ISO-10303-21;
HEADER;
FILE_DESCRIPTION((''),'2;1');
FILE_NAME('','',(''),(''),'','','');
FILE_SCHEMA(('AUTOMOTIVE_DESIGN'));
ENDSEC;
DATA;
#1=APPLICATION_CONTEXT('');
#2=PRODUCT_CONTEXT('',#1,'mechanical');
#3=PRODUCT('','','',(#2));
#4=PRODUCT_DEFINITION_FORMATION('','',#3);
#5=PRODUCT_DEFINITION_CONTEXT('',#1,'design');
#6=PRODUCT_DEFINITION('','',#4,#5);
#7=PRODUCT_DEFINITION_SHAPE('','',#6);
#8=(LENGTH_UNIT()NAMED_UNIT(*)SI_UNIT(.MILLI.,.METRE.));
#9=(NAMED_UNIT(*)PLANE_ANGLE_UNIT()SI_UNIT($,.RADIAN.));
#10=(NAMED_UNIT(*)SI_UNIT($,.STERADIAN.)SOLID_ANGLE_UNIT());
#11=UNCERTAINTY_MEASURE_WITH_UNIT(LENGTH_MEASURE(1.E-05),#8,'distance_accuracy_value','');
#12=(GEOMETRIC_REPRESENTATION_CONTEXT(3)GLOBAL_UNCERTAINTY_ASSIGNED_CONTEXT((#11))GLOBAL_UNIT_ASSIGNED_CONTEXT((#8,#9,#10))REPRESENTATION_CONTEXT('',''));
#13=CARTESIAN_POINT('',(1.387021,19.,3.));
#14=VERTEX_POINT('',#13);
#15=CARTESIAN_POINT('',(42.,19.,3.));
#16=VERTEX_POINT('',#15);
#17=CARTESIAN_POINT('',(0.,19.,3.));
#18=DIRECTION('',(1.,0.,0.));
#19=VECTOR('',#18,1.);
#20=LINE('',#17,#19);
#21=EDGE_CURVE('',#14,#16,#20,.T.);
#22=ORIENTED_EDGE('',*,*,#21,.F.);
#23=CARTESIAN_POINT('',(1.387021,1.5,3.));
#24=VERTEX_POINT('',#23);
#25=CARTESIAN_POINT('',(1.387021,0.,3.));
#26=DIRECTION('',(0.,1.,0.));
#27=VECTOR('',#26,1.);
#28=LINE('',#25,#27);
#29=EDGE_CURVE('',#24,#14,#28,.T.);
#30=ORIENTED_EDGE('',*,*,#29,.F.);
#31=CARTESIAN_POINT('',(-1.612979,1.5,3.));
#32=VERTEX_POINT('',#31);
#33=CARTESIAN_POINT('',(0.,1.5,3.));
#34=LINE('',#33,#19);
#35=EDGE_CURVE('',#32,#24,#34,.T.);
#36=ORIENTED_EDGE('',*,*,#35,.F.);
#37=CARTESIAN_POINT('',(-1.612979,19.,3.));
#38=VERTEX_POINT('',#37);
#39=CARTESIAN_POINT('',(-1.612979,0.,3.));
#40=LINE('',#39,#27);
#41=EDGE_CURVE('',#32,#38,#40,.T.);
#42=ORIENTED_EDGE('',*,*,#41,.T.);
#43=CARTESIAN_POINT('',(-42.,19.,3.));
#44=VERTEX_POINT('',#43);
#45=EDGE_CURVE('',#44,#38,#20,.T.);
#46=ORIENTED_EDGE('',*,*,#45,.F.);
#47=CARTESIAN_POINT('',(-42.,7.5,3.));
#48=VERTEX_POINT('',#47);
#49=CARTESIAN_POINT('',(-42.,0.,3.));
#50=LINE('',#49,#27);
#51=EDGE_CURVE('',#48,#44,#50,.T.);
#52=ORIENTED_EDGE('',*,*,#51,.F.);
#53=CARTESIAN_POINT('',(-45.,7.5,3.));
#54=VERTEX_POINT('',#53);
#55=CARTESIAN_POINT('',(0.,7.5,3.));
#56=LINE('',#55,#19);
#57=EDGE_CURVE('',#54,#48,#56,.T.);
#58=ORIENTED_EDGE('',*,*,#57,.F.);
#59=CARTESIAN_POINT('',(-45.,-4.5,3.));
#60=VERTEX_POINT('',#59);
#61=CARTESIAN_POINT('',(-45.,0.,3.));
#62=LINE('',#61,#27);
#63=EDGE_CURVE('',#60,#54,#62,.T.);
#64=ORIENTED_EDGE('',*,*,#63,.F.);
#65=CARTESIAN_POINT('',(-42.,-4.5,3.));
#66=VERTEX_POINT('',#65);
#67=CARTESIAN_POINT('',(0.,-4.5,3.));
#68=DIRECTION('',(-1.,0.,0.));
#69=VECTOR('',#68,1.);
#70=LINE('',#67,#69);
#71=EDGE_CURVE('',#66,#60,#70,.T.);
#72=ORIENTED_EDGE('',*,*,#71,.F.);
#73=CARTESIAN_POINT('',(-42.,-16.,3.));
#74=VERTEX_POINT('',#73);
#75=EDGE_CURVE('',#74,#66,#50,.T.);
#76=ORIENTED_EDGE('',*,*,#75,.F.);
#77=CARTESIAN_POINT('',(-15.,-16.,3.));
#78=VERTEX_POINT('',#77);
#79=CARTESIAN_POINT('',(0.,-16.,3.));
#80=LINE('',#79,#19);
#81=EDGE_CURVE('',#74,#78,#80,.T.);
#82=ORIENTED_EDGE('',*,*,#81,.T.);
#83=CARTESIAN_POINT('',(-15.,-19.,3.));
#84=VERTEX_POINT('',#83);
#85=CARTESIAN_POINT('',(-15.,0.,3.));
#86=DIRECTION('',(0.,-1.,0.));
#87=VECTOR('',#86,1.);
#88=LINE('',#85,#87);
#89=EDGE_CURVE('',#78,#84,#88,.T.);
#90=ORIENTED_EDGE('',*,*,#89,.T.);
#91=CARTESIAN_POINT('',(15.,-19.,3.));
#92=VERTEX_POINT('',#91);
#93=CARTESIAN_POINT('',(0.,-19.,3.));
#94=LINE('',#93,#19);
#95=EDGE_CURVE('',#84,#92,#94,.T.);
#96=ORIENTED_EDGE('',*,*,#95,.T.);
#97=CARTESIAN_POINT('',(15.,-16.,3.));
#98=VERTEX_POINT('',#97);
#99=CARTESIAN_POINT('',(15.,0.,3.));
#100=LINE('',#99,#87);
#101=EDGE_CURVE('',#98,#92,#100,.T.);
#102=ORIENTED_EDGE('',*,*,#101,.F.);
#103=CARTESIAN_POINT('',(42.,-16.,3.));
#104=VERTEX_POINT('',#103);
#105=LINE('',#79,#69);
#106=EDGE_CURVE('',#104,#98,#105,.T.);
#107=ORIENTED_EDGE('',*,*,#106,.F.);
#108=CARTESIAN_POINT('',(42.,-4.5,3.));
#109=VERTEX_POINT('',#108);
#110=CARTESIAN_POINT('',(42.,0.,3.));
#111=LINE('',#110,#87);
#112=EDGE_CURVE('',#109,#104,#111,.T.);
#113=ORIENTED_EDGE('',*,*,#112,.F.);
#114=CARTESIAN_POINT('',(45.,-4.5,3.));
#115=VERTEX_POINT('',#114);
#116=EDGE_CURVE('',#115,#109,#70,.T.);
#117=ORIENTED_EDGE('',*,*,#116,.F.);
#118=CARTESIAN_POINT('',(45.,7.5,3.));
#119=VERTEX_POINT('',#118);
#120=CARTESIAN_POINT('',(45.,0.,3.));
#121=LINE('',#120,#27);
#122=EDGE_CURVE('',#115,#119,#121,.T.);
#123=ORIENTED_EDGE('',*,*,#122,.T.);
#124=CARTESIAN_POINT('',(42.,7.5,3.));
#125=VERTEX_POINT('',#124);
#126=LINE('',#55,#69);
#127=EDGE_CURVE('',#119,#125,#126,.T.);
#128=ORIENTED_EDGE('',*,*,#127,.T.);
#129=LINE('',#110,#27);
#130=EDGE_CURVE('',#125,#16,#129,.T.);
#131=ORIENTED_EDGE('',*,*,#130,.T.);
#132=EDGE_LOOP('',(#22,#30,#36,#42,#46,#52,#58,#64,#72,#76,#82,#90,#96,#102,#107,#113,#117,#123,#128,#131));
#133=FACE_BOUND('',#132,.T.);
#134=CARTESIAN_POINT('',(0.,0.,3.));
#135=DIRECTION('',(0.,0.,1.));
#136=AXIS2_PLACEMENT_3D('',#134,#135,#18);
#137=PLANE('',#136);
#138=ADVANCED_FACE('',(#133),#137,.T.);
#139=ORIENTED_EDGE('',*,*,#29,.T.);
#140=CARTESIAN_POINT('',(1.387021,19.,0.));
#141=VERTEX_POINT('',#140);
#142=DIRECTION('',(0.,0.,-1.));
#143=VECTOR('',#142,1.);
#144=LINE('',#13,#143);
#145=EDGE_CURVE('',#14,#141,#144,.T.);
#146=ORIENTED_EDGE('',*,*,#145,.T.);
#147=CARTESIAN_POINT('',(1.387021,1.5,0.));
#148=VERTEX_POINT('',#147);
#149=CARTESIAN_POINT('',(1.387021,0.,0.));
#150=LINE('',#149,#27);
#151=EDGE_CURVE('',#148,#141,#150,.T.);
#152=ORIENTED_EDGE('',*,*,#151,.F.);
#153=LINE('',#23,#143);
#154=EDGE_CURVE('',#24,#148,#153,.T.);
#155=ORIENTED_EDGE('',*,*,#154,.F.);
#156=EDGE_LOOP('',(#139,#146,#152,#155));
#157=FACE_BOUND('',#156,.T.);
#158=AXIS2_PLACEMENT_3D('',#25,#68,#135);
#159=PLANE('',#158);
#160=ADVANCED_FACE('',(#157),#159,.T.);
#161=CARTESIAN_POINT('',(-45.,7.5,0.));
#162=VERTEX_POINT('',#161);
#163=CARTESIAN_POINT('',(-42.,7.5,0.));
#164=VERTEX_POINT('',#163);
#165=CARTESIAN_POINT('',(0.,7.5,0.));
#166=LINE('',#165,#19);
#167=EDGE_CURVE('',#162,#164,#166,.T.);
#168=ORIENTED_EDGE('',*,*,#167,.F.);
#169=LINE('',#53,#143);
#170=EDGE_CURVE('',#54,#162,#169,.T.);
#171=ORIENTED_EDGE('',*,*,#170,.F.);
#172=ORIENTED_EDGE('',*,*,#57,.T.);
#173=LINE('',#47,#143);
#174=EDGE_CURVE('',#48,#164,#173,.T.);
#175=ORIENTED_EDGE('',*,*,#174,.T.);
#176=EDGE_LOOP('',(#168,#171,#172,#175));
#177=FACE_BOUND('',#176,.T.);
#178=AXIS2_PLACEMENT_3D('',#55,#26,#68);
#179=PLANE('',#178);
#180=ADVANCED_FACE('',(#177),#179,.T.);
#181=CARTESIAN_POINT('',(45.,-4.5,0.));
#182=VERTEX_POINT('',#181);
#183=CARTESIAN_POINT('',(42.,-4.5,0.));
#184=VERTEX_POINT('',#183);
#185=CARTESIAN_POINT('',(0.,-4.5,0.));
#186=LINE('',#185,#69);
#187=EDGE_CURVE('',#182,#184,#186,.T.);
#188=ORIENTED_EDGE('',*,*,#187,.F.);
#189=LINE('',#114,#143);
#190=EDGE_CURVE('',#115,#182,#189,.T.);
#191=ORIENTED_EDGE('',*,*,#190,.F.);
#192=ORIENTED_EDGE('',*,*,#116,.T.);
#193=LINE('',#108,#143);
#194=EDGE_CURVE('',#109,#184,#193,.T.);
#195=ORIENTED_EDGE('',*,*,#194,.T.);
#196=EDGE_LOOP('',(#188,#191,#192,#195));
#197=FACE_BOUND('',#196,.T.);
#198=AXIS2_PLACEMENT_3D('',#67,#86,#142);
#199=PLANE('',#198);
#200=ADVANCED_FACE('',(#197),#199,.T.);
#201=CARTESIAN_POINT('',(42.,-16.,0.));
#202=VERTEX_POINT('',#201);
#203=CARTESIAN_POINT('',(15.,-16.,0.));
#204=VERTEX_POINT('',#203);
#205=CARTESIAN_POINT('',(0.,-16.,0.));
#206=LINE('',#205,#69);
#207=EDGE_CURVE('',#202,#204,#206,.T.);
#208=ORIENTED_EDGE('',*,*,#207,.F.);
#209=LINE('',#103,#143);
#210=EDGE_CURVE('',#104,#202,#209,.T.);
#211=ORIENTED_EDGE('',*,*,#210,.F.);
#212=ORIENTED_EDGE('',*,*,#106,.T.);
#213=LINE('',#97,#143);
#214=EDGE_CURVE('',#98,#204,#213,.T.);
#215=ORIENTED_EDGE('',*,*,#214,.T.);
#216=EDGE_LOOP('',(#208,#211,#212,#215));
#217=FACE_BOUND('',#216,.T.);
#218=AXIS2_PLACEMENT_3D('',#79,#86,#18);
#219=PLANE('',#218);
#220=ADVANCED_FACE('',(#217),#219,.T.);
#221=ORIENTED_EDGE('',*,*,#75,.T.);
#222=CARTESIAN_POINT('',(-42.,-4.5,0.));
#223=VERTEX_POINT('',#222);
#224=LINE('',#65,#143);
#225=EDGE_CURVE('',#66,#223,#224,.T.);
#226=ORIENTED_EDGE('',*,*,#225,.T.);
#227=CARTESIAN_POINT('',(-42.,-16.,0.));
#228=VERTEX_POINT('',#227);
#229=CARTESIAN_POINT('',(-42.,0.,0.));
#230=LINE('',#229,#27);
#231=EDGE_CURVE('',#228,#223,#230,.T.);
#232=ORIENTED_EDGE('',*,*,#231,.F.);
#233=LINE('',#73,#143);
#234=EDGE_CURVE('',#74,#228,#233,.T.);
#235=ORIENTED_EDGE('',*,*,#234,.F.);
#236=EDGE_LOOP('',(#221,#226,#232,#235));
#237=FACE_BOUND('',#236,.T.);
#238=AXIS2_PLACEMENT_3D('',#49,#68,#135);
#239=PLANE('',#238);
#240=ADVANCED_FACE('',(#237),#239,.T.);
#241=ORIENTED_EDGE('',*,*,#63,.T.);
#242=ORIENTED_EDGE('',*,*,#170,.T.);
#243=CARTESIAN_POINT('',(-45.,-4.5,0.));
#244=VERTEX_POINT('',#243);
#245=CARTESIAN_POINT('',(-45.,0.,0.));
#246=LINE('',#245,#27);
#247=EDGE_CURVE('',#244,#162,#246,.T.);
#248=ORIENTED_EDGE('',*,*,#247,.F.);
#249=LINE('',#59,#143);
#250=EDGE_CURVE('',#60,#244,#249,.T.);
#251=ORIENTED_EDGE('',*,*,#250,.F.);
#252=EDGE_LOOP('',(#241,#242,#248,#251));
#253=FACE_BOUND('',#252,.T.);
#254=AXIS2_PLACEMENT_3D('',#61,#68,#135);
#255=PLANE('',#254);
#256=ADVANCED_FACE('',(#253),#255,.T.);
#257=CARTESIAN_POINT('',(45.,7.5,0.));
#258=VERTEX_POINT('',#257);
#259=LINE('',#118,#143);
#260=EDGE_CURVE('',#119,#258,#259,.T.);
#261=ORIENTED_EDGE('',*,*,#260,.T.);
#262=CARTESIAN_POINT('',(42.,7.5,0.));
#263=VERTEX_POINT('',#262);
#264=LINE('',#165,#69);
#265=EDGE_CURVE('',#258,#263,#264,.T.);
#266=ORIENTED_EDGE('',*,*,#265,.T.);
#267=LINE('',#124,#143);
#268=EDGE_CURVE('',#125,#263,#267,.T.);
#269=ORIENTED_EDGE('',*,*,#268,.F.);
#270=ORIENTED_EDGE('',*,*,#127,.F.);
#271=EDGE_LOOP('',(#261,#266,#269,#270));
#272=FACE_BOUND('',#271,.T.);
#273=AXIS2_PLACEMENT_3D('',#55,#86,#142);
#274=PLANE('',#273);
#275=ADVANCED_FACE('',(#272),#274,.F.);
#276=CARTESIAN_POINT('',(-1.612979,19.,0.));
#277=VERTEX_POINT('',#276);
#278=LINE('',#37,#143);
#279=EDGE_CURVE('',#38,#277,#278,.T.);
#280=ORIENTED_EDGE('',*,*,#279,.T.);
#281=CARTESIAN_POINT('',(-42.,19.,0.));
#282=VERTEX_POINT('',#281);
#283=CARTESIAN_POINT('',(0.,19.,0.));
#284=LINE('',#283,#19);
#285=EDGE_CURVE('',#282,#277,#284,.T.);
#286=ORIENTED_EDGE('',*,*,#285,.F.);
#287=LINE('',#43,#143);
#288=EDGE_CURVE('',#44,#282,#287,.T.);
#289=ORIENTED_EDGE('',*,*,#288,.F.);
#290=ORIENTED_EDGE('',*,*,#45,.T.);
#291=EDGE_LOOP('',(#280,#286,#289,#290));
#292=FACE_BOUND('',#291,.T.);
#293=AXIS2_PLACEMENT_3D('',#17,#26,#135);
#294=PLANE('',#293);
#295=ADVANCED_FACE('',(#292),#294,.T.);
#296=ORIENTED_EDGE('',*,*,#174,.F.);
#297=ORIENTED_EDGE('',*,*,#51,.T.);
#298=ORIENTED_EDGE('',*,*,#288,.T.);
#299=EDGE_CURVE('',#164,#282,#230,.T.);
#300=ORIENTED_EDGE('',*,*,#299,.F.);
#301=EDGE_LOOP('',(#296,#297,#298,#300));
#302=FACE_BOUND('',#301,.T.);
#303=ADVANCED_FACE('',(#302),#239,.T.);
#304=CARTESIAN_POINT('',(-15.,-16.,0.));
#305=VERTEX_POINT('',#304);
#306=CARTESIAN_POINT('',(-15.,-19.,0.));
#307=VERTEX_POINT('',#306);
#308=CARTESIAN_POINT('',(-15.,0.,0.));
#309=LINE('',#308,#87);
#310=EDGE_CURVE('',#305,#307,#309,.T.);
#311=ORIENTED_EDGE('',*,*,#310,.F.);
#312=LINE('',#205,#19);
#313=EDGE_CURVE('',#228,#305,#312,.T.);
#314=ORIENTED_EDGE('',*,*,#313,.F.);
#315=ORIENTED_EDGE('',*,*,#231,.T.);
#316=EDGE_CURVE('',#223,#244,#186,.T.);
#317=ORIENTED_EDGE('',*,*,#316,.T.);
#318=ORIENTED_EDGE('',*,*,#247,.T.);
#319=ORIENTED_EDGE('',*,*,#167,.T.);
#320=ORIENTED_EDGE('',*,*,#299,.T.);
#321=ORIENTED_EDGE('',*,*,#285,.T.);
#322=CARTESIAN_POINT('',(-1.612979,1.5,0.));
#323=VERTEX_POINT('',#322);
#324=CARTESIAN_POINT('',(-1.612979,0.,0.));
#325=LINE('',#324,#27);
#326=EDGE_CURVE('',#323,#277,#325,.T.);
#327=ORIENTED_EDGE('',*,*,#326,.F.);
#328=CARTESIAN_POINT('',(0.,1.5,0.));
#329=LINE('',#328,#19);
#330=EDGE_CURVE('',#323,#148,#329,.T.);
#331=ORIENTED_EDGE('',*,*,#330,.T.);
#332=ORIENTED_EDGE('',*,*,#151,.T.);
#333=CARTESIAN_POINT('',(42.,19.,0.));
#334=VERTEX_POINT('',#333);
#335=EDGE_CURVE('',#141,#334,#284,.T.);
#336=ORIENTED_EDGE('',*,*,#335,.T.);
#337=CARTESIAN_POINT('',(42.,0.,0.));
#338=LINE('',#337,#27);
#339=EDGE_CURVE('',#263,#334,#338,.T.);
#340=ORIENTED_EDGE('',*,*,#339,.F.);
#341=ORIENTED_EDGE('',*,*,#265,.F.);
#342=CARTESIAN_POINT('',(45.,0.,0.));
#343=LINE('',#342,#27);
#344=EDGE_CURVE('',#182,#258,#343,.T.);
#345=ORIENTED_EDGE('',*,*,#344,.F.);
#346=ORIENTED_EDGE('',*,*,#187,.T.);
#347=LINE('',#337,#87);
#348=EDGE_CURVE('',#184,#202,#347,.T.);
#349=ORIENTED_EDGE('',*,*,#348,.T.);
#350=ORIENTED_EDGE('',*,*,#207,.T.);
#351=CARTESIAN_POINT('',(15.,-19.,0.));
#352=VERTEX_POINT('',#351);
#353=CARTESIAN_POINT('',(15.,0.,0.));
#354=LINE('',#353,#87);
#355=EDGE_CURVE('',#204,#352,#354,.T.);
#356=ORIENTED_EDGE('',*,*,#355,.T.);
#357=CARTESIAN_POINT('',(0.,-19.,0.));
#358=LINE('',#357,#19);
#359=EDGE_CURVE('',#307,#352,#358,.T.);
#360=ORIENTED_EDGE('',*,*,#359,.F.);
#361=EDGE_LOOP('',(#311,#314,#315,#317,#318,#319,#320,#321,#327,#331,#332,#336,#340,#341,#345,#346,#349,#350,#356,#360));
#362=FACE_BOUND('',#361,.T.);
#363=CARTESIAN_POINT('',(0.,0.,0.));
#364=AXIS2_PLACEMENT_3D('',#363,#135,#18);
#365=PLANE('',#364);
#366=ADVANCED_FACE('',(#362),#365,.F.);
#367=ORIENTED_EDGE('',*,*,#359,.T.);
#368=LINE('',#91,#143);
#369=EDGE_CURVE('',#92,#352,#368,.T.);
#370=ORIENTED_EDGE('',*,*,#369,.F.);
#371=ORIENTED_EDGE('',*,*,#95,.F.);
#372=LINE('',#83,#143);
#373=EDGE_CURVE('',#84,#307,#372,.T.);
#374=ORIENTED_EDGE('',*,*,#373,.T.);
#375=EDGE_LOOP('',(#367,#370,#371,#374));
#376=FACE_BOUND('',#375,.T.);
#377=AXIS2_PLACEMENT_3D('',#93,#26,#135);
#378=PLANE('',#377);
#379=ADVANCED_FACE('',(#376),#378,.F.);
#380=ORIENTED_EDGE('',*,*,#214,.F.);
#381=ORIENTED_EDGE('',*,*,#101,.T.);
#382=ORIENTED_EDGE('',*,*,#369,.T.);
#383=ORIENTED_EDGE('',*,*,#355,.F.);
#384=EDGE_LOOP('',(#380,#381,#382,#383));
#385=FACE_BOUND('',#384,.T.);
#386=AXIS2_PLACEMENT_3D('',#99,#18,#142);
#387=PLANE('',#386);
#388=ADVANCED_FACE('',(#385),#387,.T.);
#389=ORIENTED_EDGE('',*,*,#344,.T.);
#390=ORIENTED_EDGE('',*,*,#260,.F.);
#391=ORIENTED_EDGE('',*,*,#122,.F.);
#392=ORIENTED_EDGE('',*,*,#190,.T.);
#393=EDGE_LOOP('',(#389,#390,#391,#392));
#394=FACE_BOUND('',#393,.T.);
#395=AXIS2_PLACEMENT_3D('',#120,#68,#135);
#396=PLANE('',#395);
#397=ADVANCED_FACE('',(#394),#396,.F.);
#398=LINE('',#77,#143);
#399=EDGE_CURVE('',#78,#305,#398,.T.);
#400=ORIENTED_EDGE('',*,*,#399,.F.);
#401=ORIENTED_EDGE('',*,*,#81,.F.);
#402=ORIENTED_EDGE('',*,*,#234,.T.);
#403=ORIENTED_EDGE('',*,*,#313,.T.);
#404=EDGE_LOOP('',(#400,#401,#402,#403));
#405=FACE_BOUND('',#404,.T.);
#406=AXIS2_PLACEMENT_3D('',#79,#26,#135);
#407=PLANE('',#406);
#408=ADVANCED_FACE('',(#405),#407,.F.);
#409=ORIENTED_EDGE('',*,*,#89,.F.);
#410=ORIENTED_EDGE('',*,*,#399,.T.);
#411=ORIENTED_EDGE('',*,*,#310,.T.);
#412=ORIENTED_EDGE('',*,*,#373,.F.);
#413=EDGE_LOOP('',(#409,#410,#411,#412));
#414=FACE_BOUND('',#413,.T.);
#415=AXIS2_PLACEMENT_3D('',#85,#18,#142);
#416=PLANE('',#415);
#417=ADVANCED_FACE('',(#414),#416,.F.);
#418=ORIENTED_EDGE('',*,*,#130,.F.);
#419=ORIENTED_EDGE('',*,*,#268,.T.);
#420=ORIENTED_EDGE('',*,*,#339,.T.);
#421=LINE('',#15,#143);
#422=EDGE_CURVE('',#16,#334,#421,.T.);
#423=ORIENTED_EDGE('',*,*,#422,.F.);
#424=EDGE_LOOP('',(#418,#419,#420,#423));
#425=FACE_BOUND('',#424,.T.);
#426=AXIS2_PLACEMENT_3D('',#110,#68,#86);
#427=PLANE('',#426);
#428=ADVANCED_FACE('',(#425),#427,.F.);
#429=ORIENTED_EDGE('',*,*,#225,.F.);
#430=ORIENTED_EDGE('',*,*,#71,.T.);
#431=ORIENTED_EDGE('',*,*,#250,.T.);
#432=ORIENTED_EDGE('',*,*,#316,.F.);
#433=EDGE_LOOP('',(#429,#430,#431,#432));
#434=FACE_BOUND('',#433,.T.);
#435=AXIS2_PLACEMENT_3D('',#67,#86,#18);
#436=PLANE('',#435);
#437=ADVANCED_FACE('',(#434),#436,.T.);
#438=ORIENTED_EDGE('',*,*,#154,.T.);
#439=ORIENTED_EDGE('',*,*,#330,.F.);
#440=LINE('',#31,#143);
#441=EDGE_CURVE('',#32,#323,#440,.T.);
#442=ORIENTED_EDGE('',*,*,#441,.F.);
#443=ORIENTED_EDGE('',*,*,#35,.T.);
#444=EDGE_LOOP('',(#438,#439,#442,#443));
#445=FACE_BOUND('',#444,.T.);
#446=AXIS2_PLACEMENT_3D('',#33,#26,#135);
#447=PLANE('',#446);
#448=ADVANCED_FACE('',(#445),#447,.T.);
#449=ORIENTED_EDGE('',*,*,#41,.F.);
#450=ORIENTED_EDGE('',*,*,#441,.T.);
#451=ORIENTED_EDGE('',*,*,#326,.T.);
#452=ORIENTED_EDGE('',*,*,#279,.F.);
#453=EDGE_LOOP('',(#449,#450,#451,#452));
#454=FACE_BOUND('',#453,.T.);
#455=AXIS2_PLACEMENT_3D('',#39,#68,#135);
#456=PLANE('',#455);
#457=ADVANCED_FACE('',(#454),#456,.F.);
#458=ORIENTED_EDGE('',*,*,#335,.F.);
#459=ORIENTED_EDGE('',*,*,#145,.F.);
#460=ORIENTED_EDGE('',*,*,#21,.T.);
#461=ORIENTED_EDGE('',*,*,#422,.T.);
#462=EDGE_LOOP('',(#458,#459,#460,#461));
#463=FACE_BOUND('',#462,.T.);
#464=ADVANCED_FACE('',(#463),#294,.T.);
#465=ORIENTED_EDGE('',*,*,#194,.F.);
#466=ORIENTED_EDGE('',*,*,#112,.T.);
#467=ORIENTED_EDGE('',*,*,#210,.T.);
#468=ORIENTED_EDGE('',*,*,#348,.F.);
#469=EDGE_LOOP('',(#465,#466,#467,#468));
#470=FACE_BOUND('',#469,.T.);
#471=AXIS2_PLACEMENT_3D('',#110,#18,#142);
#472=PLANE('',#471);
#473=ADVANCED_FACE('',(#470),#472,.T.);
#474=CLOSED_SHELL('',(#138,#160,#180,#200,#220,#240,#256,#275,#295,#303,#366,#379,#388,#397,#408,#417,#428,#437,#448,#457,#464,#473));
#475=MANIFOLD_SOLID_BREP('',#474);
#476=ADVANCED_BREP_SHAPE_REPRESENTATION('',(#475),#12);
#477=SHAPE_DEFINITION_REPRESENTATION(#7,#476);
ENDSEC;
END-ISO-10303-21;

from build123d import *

# Parameters (mm, degrees)
BOSS_EXTRUDE1_DEPTH = 3


with BuildPart() as part:
    # Sketch1 → Boss-Extrude1 (new body)
    with BuildSketch(Plane.XY):
        Polygon((-42, -4.5), (-42, -16), (-15, -16), (-15, -19), (15, -19), (15, -16), (42, -16), (42, -4.5), (45, -4.5), (45, 7.5), (42, 7.5), (42, 19), (1.387020545, 19), (1.387020545, 1.5), (-1.612979455, 1.5), (-1.612979455, 19), (-42, 19), (-42, 7.5), (-45, 7.5), (-45, -4.5), align=None)
    extrude(amount=BOSS_EXTRUDE1_DEPTH)


solid = part.part
